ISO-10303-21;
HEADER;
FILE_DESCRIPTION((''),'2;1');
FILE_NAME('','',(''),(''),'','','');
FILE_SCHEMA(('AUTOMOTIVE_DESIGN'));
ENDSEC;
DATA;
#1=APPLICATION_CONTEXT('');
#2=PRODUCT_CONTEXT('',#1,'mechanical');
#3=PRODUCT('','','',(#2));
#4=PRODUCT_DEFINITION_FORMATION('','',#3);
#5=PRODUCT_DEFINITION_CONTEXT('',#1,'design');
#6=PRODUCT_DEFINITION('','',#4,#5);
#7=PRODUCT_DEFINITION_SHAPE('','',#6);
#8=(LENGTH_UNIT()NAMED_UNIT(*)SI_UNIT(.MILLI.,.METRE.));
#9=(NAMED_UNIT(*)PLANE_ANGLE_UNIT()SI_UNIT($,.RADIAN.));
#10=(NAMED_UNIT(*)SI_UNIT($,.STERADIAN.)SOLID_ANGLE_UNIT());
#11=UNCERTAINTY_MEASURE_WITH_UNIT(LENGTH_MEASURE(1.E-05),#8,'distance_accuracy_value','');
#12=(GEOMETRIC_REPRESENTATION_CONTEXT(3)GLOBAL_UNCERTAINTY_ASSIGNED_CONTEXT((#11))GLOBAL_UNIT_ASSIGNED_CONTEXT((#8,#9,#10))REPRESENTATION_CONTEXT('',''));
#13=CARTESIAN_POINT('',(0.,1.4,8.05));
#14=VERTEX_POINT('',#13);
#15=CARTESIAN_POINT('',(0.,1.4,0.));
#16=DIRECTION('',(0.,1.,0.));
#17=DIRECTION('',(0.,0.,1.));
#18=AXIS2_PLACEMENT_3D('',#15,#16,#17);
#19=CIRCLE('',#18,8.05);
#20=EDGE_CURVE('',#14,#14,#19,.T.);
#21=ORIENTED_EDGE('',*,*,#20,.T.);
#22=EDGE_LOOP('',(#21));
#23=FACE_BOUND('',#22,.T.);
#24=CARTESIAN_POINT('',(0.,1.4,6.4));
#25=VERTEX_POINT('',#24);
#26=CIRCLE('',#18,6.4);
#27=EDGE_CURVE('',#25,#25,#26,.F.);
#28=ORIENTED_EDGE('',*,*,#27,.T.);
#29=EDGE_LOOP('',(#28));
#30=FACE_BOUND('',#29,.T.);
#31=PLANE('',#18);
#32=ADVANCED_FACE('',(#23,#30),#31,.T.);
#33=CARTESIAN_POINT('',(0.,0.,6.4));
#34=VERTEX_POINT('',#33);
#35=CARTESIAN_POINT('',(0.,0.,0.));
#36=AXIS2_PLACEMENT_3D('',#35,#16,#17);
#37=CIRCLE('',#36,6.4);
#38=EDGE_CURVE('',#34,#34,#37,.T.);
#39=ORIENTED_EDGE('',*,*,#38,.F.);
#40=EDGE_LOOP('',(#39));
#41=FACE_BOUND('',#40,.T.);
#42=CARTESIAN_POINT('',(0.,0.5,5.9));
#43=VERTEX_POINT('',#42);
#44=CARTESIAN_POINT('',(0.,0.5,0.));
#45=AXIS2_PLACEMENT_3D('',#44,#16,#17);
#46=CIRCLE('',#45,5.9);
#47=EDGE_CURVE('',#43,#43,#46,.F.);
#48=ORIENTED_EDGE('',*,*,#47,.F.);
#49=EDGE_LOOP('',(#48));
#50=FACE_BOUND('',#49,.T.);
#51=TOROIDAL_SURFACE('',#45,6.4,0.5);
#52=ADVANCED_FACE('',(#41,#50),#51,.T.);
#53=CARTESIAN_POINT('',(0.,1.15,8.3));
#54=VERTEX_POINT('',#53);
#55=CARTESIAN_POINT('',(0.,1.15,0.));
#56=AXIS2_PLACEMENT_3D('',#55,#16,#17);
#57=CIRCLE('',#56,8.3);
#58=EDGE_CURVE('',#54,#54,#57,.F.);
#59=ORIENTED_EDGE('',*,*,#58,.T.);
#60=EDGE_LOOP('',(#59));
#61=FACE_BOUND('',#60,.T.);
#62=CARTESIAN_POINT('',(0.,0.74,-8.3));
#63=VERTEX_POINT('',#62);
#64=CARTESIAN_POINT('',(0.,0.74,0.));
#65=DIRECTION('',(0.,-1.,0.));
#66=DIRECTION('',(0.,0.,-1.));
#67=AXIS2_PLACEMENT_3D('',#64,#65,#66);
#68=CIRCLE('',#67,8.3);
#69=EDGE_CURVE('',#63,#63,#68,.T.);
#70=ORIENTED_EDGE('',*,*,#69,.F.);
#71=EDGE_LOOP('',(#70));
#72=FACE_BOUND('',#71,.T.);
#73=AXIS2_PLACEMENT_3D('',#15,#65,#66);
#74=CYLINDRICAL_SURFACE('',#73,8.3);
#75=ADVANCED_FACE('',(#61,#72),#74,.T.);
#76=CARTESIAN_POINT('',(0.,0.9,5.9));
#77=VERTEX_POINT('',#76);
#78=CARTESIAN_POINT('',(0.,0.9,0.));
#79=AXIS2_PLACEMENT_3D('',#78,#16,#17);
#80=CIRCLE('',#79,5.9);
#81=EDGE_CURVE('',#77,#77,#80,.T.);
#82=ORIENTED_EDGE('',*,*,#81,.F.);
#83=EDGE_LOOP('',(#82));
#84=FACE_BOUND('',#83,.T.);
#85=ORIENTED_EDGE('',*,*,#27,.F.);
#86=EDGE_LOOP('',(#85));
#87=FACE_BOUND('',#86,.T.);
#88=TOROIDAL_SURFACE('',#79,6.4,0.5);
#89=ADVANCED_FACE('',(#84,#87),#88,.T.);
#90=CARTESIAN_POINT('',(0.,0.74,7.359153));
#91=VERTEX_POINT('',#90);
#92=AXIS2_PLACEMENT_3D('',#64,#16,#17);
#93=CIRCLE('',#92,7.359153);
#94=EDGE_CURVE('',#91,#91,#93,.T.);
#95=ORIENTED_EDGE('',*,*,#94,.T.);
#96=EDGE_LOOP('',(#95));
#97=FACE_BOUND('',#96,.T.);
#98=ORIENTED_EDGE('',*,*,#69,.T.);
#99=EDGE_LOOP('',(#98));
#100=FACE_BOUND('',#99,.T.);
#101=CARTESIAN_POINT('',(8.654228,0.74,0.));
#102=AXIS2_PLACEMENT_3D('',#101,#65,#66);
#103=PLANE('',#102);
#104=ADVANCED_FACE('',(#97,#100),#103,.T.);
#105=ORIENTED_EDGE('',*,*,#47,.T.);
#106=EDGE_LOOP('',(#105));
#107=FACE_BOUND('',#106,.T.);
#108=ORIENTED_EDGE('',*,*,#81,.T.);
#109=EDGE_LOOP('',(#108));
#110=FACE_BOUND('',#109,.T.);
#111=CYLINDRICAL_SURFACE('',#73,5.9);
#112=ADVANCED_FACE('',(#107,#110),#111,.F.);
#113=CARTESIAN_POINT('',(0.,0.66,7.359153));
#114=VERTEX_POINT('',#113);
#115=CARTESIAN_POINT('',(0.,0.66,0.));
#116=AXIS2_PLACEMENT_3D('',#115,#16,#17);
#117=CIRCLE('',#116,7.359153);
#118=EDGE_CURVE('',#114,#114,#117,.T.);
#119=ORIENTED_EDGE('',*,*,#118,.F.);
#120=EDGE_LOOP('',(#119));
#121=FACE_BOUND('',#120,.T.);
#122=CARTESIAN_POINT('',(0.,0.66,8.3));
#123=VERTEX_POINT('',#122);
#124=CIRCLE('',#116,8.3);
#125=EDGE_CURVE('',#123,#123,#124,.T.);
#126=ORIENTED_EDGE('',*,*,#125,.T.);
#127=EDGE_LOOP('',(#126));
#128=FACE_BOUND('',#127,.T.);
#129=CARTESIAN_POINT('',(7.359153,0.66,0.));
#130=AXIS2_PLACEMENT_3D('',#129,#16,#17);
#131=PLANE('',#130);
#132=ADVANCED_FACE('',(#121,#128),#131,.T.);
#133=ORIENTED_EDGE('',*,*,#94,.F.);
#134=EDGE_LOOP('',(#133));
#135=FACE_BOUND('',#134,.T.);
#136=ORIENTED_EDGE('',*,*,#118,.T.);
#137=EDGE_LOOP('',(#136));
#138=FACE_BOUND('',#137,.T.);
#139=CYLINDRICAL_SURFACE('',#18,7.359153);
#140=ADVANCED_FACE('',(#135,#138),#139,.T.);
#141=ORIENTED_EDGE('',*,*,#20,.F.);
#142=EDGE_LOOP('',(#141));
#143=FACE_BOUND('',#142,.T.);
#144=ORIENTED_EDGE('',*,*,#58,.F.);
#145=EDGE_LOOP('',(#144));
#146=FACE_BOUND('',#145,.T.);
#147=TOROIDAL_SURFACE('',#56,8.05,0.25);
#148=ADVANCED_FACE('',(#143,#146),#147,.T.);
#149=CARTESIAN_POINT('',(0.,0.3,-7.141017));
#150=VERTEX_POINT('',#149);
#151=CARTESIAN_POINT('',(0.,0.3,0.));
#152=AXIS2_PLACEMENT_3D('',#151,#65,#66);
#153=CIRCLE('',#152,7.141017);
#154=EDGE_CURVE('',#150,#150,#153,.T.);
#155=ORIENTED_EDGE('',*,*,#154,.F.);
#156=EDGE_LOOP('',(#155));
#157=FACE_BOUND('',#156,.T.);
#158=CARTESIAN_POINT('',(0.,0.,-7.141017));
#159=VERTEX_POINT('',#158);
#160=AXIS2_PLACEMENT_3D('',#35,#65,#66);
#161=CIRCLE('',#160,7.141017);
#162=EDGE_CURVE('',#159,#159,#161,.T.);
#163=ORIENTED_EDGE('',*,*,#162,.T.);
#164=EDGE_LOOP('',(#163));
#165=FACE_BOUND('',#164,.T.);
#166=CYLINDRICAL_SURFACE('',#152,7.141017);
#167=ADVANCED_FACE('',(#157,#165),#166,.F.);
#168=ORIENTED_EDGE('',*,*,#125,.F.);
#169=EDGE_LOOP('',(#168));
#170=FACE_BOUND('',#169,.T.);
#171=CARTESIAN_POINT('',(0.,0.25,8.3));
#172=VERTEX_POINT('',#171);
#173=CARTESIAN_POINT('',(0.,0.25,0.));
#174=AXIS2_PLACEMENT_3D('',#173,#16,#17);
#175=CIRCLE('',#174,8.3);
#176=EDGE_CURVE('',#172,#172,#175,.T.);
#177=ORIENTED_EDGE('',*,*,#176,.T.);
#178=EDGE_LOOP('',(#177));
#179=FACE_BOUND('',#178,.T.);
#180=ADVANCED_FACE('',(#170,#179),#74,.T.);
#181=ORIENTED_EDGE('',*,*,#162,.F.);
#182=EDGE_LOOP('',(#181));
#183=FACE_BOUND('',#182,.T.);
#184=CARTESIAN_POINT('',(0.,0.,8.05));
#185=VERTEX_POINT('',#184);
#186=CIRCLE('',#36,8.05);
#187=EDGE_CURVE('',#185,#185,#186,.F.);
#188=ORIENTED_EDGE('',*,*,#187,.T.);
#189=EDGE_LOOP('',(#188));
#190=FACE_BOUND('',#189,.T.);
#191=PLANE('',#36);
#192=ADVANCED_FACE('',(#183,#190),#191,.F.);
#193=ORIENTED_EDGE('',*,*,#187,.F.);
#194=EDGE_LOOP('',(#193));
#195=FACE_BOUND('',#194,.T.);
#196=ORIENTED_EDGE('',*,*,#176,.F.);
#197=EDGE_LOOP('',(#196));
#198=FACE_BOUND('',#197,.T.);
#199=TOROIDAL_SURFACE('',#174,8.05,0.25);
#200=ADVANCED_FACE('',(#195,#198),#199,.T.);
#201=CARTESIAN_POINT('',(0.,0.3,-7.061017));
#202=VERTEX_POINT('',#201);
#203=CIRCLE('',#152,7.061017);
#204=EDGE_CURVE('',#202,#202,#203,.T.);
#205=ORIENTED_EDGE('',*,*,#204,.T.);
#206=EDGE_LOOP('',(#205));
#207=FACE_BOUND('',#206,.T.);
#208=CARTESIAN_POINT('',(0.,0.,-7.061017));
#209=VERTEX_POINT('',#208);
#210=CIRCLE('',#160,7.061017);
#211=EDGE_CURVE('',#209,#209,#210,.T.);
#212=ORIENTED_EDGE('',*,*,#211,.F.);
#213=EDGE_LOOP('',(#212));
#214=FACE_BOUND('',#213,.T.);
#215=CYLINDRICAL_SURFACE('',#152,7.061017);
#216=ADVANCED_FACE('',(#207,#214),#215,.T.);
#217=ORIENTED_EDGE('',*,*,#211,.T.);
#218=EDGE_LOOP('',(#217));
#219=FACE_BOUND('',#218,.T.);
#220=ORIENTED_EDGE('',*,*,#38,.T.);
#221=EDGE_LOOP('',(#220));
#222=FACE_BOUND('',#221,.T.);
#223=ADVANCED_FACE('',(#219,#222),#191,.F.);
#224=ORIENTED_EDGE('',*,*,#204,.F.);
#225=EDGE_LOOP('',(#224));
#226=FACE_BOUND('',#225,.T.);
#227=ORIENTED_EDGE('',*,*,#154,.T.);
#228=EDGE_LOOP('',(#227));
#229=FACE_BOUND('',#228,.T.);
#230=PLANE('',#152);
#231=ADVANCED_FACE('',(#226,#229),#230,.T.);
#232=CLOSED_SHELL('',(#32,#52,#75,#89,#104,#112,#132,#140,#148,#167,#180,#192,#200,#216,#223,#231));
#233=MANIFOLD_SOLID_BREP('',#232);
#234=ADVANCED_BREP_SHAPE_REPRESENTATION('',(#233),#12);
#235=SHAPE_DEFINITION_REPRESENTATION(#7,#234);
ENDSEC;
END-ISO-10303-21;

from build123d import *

# Parameters (mm, degrees)
SKETCH1_R           = 8.3
SKETCH1_R_2         = 5.9
BOSS_EXTRUDE1_DEPTH = 1.4
SKETCH2_W           = 1.295074367
SKETCH2_H           = 0.08
SKETCH3_R           = 7.141016866
SKETCH3_R_2         = 7.061016866
CUT_EXTRUDE1_DEPTH  = 0.3
FILLET1_R           = 0.5
FILLET2_R           = 0.25


with BuildPart() as part:
    # Sketch1 → Boss-Extrude1 (new body)
    with BuildSketch(Plane(origin=(0, 0, 0), x_dir=(1, 0, 0), z_dir=(0, 1, 0))):
        Circle(SKETCH1_R)
        Circle(SKETCH1_R_2, mode=Mode.SUBTRACT)
    extrude(amount=BOSS_EXTRUDE1_DEPTH)

    # Sketch2 → Cut-Revolve1 (revolve, cut)
    with BuildSketch(Plane.XY):
        with Locations((8.00669044, 0.7)):
            Rectangle(SKETCH2_W, SKETCH2_H)
    revolve(axis=Axis((0, 1.4, 0), (0, -1, 0)), mode=Mode.SUBTRACT)

    # Sketch3 → Cut-Extrude1 (cut)
    with BuildSketch(Plane.XZ):
        Circle(SKETCH3_R)
        Circle(SKETCH3_R_2, mode=Mode.SUBTRACT)
    extrude(amount=-CUT_EXTRUDE1_DEPTH, mode=Mode.SUBTRACT)

    # Fillet1
    fillet1_edges = [part.edges().sort_by_distance(p)[0] for p in [
        (-5.9, 0, 0),
        (-5.9, 1.4, 0),
    ]]
    fillet(fillet1_edges, radius=FILLET1_R)

    # Fillet2
    fillet2_edges = [part.edges().sort_by_distance(p)[0] for p in [
        (-8.3, 0, 0),
        (-8.3, 1.4, 0),
    ]]
    fillet(fillet2_edges, radius=FILLET2_R)


solid = part.part
